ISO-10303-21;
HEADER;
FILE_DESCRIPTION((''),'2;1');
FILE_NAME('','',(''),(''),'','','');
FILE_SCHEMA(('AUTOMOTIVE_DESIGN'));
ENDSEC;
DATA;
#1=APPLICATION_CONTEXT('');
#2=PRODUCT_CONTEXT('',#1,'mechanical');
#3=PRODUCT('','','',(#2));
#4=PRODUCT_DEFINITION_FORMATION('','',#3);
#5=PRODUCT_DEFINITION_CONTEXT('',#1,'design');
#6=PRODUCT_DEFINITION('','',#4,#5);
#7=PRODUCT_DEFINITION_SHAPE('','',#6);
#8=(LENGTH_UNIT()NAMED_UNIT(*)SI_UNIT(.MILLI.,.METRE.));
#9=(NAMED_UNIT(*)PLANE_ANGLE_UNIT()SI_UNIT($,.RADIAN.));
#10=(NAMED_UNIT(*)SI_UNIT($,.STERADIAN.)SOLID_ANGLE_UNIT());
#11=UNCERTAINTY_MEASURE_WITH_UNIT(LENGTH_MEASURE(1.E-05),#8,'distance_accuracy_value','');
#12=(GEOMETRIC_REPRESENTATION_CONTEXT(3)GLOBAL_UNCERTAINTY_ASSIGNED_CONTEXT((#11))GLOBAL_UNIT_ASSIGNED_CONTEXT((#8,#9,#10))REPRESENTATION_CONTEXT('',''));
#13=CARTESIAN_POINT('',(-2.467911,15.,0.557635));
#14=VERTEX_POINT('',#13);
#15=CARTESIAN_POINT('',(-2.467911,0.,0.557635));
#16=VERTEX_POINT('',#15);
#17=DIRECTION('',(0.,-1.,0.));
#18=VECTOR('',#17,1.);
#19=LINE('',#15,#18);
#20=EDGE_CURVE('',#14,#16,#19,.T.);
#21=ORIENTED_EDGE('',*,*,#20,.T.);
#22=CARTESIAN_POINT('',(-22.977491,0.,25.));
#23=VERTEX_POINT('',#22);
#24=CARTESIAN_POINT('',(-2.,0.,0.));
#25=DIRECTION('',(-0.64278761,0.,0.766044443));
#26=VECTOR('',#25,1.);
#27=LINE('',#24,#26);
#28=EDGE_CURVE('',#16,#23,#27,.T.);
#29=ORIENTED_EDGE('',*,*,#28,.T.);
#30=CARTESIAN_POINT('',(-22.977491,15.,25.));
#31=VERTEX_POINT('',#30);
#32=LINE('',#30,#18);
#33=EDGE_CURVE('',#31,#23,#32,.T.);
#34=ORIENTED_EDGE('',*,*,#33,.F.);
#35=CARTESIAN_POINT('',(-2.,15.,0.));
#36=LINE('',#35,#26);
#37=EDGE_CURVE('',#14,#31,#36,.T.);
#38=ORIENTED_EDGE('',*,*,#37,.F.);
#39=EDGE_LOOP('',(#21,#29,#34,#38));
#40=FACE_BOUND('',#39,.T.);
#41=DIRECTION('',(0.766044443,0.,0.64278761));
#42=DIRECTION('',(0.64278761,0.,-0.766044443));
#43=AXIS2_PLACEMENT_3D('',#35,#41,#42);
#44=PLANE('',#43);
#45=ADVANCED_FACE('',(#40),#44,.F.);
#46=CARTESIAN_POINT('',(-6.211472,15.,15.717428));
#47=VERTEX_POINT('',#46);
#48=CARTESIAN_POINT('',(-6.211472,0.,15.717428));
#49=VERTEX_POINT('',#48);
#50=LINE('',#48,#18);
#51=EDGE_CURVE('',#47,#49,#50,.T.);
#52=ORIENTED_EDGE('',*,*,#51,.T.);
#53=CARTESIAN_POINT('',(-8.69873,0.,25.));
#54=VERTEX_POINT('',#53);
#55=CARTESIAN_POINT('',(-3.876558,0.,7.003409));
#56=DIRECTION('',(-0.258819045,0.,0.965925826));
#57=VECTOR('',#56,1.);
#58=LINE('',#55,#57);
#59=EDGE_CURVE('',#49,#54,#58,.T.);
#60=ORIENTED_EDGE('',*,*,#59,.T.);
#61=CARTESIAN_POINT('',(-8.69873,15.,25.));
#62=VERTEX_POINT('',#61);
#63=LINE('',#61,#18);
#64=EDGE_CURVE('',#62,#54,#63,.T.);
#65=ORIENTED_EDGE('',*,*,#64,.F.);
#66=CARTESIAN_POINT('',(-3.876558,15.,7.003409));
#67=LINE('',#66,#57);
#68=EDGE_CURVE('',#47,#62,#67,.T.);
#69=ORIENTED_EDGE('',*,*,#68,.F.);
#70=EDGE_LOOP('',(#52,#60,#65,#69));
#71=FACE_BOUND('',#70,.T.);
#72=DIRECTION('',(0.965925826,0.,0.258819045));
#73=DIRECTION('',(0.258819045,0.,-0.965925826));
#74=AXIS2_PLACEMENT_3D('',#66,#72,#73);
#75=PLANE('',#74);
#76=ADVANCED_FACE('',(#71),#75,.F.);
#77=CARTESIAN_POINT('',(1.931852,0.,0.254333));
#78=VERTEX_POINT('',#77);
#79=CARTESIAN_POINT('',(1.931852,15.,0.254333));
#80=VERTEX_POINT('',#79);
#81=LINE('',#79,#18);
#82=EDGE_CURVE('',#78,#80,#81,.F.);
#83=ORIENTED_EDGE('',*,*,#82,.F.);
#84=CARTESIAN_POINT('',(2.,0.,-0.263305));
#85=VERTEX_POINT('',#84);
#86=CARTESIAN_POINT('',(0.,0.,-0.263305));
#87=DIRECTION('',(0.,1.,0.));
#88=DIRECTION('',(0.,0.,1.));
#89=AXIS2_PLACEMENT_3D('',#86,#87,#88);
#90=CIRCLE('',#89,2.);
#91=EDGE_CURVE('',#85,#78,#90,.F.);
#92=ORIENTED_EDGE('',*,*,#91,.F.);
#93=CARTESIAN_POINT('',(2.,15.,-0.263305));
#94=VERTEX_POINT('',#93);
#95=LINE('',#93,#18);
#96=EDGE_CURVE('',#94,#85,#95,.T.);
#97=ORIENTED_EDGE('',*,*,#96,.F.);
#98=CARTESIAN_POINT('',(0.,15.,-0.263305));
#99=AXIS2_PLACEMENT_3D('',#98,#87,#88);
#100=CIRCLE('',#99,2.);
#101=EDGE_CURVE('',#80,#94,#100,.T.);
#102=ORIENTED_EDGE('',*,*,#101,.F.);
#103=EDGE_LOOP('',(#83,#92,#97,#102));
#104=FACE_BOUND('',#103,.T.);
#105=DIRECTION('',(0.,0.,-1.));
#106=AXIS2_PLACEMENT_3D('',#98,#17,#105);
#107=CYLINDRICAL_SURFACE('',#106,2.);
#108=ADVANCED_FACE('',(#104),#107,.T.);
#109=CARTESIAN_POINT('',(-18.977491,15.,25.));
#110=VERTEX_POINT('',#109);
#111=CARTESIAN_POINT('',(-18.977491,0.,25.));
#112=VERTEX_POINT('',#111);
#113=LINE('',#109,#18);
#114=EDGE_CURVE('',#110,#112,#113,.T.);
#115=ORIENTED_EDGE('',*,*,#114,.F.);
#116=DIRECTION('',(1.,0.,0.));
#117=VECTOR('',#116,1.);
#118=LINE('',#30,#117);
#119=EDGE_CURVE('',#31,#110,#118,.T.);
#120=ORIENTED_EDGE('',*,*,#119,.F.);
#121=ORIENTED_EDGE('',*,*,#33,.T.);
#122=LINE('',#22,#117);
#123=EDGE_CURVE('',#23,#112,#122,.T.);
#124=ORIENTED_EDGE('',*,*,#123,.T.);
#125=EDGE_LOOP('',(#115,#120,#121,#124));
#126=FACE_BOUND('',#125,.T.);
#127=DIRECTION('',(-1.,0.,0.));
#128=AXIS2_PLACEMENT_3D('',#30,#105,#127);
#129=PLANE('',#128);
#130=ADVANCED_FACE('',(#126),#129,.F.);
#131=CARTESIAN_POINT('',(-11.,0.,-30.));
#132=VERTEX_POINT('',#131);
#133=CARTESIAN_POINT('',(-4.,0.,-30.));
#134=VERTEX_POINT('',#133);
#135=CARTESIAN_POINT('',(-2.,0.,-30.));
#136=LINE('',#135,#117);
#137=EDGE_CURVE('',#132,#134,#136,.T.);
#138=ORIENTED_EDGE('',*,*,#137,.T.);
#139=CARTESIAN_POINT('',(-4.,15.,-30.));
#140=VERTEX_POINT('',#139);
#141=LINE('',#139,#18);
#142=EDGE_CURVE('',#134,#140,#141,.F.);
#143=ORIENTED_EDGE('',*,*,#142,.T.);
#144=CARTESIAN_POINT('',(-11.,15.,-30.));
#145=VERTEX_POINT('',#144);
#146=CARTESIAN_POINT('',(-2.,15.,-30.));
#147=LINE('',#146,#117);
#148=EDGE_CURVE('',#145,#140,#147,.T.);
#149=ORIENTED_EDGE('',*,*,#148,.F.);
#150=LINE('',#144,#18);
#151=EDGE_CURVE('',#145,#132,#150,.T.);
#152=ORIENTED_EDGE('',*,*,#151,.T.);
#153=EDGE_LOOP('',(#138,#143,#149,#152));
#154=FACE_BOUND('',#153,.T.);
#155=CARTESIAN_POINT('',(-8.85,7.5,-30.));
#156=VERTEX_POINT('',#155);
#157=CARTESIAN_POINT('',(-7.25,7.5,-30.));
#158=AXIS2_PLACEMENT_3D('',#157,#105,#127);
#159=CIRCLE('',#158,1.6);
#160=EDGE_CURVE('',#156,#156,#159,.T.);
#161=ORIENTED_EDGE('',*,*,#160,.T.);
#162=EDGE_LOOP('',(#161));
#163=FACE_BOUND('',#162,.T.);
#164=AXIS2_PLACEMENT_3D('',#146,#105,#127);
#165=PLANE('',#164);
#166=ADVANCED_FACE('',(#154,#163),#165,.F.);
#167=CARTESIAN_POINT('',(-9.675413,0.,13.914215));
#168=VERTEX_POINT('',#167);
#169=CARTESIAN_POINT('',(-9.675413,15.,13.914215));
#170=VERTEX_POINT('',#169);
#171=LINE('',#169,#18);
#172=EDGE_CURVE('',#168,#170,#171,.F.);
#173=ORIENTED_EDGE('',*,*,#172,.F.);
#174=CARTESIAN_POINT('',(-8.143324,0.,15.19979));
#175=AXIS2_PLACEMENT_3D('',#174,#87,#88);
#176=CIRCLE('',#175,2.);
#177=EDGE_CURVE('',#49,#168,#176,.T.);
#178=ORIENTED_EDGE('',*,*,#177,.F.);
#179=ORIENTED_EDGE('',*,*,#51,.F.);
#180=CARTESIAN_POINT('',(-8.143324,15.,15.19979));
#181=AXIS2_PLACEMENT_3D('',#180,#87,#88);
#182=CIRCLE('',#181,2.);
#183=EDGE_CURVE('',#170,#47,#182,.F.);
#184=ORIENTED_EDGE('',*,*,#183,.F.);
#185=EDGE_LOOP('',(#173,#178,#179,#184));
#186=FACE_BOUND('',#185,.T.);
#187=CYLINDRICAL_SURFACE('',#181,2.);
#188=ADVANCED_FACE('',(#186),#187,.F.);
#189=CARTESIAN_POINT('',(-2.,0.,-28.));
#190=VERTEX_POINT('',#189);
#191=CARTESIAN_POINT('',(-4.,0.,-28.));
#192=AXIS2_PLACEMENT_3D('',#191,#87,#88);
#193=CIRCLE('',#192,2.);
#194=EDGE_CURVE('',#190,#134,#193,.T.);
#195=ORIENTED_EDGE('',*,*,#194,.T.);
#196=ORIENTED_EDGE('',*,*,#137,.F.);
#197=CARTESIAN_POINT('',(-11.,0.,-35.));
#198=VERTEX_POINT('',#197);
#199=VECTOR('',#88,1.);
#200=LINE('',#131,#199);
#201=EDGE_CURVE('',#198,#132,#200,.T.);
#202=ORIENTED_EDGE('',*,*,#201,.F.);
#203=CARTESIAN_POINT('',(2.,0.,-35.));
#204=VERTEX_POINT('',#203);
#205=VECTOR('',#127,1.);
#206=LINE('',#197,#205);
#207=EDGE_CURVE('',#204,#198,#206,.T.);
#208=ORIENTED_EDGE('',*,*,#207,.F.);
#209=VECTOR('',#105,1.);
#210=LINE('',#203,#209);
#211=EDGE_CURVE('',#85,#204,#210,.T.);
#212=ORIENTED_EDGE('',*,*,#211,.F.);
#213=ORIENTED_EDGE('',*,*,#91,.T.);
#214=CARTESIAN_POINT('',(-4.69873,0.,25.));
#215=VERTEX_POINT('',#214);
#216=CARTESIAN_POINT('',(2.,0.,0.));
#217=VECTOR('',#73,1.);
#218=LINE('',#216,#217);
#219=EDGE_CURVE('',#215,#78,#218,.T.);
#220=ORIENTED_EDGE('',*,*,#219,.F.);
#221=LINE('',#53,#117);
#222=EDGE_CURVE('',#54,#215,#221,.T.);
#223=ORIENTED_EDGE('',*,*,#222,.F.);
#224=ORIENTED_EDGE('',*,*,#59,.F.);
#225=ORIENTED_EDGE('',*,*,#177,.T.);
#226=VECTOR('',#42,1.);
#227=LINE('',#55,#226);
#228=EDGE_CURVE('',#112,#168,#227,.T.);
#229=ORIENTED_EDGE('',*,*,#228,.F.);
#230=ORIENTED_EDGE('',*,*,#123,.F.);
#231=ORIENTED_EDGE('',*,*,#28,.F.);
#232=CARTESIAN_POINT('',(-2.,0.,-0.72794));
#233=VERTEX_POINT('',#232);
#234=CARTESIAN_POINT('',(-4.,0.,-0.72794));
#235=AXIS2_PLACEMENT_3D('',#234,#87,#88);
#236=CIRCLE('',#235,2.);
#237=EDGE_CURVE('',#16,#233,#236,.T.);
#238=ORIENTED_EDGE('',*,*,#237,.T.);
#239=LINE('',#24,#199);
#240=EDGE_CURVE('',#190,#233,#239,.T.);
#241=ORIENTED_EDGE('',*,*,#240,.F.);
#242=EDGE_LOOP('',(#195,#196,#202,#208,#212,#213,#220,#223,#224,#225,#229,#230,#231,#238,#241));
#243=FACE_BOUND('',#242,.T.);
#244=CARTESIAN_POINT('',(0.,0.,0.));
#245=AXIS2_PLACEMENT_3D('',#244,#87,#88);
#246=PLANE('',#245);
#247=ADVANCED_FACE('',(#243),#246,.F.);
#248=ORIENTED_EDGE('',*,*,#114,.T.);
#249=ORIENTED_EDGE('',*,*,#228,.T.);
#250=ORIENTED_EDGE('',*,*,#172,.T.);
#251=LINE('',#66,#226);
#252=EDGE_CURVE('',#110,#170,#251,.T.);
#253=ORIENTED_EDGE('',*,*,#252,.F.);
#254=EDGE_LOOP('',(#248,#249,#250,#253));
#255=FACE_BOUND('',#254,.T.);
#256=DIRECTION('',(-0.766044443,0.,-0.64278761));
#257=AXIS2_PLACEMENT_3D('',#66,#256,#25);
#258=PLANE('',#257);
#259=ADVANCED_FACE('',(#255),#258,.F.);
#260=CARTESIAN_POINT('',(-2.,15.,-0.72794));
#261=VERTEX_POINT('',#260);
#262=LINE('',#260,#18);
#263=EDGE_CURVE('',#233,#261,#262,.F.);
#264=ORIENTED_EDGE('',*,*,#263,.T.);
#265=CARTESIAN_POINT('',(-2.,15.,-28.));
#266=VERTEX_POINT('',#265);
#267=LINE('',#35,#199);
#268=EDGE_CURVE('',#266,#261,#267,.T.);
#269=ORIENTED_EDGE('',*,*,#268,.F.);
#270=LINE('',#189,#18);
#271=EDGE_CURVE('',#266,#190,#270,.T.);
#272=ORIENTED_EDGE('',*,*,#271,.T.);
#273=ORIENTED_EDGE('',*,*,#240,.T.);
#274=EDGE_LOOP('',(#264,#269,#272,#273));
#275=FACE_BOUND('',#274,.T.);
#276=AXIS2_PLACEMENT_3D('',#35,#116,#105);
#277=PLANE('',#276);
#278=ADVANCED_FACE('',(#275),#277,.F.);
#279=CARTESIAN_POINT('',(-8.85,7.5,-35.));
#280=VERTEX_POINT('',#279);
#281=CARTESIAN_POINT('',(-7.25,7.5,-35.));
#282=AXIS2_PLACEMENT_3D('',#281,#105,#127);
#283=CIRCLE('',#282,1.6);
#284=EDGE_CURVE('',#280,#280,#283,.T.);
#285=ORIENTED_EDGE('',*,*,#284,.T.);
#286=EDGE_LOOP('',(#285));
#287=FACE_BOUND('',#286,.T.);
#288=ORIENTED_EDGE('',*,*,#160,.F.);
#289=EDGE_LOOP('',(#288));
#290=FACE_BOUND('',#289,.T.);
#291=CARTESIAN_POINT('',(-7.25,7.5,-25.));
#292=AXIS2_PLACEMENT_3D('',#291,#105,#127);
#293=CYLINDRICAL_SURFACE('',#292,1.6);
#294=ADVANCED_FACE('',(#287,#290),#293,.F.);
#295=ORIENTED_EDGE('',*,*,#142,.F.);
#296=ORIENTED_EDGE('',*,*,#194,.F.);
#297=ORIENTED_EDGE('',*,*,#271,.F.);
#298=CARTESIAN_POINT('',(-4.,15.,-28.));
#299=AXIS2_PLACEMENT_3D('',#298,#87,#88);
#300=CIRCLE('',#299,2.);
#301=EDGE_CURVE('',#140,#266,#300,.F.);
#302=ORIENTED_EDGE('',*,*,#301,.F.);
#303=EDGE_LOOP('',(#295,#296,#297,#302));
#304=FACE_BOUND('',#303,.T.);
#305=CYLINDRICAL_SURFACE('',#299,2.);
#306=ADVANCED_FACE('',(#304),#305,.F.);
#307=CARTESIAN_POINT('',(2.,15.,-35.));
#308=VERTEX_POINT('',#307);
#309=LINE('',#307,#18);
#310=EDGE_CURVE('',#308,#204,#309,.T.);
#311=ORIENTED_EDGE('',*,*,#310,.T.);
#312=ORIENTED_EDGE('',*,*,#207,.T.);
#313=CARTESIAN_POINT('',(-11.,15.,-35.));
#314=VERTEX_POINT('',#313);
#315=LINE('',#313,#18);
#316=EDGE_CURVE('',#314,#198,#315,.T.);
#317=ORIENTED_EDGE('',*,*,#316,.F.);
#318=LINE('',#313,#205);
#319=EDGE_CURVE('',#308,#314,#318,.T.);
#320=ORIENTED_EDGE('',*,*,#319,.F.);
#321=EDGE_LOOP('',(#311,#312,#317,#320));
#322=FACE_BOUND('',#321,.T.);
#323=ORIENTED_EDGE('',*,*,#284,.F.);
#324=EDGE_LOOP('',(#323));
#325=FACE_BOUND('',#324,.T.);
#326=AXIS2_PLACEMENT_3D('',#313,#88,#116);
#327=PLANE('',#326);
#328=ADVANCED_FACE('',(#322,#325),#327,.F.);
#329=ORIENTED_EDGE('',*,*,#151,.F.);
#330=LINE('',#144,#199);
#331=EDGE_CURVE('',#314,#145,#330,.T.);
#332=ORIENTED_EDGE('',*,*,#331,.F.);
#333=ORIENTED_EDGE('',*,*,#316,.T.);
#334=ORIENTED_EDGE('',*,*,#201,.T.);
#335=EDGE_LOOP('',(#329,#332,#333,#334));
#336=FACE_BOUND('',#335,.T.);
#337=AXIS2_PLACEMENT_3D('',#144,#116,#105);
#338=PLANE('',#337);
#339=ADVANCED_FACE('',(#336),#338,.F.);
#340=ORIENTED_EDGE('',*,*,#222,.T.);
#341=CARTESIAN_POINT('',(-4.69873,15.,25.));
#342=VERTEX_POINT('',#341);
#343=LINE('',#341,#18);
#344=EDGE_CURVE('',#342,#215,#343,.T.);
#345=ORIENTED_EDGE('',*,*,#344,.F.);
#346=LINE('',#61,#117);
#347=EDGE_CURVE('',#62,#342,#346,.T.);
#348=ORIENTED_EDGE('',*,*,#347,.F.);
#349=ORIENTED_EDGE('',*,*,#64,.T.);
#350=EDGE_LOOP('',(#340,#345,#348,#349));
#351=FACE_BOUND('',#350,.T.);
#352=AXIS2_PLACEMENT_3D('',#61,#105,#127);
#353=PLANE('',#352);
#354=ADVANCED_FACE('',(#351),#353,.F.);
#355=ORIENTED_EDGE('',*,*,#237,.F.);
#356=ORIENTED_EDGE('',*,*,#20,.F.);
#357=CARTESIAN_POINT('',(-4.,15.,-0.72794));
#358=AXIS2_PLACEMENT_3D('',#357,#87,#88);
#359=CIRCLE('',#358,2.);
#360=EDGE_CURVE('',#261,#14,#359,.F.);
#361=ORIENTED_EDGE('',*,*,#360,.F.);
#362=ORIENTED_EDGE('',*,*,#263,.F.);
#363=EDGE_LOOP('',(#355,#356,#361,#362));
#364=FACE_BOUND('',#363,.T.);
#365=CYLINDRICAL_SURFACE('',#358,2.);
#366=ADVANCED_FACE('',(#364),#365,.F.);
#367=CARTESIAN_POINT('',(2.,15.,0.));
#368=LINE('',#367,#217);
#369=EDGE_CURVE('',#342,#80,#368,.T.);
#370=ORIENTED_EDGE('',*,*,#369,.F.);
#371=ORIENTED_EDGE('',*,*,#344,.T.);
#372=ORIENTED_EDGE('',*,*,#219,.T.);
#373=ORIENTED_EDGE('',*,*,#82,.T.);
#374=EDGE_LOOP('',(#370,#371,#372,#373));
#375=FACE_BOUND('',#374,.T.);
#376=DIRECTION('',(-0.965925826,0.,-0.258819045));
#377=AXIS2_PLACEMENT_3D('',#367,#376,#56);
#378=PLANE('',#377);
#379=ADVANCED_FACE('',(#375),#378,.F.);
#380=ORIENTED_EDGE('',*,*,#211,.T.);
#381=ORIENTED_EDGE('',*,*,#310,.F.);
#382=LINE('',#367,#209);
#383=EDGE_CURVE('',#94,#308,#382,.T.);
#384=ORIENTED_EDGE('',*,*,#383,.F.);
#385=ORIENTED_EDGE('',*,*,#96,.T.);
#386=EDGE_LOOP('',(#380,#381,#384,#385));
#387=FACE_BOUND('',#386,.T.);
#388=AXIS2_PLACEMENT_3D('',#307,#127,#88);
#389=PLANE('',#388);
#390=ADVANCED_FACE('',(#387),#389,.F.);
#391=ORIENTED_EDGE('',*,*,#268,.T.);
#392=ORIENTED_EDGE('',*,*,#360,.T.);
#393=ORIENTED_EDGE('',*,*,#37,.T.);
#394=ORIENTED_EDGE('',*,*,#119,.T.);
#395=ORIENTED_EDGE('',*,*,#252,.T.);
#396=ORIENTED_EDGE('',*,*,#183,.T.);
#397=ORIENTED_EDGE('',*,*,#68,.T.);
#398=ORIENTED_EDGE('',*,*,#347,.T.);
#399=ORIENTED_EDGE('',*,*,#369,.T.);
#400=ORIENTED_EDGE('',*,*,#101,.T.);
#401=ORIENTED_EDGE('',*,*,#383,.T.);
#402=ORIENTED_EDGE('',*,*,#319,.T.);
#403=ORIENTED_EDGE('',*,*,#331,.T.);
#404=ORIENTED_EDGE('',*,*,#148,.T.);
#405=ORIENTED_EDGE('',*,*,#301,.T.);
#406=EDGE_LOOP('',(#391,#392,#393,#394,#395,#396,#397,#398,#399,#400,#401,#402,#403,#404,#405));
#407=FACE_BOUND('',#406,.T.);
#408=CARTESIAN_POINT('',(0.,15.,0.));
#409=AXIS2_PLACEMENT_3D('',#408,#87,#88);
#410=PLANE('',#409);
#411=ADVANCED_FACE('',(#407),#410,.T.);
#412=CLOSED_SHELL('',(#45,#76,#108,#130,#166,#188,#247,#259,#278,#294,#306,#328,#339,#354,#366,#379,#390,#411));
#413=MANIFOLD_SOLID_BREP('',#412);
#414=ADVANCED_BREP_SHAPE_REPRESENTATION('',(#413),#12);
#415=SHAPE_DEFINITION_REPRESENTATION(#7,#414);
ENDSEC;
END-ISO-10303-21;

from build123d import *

# Parameters (mm, degrees)
BOSS_EXTRUDE1_DEPTH = 15
CUT_EXTRUDE2_DEPTH  = 10
FILLET2_R           = 2


with BuildPart() as part:
    # Sketch1 → Boss-Extrude1 (new body)
    with BuildSketch(Plane(origin=(0, 0, 0), x_dir=(1, 0, 0), z_dir=(0, 1, 0))):
        Polygon((-2, 0), (-2, 30), (-11, 30), (-11, 35), (2, 35), (2, 30), (2, 0), (-4.698729811, -25), (-8.698729811, -25), (-3.876557728, -7.003408785), (-18.977490779, -25), (-22.977490779, -25), align=None)
    extrude(amount=BOSS_EXTRUDE1_DEPTH)

    # Sketch3 → Cut-Extrude2 (cut)
    with BuildSketch(Plane(origin=(0, 0, -35), x_dir=(-1, 0, 0), z_dir=(0, 0, -1))):
        with BuildLine():
            ThreePointArc((8.85, 7.5), (8.611041293, 8.341169779), (7.965541753, 8.931083506))
            Line((7.965541753, 8.931083506), (6.534458247, 6.068916494))
            ThreePointArc((6.534458247, 6.068916494), (8.091169779, 6.138958707), (8.85, 7.5))
        make_face()
        with BuildLine():
            Line((6.534458247, 6.068916494), (7.965541753, 8.931083506))
            ThreePointArc((7.965541753, 8.931083506), (5.818916494, 8.215541753), (6.534458247, 6.068916494))
        make_face()
    extrude(amount=-CUT_EXTRUDE2_DEPTH, mode=Mode.SUBTRACT)

    # Fillet2
    fillet2_edges = [part.edges().sort_by_distance(p)[0] for p in [
        (-2, 7.5, 0),
        (-2, 7.5, -30),
        (2, 7.5, 0),
        (-3.876557728, 7.5, 7.003408785),
    ]]
    fillet(fillet2_edges, radius=FILLET2_R)


solid = part.part
